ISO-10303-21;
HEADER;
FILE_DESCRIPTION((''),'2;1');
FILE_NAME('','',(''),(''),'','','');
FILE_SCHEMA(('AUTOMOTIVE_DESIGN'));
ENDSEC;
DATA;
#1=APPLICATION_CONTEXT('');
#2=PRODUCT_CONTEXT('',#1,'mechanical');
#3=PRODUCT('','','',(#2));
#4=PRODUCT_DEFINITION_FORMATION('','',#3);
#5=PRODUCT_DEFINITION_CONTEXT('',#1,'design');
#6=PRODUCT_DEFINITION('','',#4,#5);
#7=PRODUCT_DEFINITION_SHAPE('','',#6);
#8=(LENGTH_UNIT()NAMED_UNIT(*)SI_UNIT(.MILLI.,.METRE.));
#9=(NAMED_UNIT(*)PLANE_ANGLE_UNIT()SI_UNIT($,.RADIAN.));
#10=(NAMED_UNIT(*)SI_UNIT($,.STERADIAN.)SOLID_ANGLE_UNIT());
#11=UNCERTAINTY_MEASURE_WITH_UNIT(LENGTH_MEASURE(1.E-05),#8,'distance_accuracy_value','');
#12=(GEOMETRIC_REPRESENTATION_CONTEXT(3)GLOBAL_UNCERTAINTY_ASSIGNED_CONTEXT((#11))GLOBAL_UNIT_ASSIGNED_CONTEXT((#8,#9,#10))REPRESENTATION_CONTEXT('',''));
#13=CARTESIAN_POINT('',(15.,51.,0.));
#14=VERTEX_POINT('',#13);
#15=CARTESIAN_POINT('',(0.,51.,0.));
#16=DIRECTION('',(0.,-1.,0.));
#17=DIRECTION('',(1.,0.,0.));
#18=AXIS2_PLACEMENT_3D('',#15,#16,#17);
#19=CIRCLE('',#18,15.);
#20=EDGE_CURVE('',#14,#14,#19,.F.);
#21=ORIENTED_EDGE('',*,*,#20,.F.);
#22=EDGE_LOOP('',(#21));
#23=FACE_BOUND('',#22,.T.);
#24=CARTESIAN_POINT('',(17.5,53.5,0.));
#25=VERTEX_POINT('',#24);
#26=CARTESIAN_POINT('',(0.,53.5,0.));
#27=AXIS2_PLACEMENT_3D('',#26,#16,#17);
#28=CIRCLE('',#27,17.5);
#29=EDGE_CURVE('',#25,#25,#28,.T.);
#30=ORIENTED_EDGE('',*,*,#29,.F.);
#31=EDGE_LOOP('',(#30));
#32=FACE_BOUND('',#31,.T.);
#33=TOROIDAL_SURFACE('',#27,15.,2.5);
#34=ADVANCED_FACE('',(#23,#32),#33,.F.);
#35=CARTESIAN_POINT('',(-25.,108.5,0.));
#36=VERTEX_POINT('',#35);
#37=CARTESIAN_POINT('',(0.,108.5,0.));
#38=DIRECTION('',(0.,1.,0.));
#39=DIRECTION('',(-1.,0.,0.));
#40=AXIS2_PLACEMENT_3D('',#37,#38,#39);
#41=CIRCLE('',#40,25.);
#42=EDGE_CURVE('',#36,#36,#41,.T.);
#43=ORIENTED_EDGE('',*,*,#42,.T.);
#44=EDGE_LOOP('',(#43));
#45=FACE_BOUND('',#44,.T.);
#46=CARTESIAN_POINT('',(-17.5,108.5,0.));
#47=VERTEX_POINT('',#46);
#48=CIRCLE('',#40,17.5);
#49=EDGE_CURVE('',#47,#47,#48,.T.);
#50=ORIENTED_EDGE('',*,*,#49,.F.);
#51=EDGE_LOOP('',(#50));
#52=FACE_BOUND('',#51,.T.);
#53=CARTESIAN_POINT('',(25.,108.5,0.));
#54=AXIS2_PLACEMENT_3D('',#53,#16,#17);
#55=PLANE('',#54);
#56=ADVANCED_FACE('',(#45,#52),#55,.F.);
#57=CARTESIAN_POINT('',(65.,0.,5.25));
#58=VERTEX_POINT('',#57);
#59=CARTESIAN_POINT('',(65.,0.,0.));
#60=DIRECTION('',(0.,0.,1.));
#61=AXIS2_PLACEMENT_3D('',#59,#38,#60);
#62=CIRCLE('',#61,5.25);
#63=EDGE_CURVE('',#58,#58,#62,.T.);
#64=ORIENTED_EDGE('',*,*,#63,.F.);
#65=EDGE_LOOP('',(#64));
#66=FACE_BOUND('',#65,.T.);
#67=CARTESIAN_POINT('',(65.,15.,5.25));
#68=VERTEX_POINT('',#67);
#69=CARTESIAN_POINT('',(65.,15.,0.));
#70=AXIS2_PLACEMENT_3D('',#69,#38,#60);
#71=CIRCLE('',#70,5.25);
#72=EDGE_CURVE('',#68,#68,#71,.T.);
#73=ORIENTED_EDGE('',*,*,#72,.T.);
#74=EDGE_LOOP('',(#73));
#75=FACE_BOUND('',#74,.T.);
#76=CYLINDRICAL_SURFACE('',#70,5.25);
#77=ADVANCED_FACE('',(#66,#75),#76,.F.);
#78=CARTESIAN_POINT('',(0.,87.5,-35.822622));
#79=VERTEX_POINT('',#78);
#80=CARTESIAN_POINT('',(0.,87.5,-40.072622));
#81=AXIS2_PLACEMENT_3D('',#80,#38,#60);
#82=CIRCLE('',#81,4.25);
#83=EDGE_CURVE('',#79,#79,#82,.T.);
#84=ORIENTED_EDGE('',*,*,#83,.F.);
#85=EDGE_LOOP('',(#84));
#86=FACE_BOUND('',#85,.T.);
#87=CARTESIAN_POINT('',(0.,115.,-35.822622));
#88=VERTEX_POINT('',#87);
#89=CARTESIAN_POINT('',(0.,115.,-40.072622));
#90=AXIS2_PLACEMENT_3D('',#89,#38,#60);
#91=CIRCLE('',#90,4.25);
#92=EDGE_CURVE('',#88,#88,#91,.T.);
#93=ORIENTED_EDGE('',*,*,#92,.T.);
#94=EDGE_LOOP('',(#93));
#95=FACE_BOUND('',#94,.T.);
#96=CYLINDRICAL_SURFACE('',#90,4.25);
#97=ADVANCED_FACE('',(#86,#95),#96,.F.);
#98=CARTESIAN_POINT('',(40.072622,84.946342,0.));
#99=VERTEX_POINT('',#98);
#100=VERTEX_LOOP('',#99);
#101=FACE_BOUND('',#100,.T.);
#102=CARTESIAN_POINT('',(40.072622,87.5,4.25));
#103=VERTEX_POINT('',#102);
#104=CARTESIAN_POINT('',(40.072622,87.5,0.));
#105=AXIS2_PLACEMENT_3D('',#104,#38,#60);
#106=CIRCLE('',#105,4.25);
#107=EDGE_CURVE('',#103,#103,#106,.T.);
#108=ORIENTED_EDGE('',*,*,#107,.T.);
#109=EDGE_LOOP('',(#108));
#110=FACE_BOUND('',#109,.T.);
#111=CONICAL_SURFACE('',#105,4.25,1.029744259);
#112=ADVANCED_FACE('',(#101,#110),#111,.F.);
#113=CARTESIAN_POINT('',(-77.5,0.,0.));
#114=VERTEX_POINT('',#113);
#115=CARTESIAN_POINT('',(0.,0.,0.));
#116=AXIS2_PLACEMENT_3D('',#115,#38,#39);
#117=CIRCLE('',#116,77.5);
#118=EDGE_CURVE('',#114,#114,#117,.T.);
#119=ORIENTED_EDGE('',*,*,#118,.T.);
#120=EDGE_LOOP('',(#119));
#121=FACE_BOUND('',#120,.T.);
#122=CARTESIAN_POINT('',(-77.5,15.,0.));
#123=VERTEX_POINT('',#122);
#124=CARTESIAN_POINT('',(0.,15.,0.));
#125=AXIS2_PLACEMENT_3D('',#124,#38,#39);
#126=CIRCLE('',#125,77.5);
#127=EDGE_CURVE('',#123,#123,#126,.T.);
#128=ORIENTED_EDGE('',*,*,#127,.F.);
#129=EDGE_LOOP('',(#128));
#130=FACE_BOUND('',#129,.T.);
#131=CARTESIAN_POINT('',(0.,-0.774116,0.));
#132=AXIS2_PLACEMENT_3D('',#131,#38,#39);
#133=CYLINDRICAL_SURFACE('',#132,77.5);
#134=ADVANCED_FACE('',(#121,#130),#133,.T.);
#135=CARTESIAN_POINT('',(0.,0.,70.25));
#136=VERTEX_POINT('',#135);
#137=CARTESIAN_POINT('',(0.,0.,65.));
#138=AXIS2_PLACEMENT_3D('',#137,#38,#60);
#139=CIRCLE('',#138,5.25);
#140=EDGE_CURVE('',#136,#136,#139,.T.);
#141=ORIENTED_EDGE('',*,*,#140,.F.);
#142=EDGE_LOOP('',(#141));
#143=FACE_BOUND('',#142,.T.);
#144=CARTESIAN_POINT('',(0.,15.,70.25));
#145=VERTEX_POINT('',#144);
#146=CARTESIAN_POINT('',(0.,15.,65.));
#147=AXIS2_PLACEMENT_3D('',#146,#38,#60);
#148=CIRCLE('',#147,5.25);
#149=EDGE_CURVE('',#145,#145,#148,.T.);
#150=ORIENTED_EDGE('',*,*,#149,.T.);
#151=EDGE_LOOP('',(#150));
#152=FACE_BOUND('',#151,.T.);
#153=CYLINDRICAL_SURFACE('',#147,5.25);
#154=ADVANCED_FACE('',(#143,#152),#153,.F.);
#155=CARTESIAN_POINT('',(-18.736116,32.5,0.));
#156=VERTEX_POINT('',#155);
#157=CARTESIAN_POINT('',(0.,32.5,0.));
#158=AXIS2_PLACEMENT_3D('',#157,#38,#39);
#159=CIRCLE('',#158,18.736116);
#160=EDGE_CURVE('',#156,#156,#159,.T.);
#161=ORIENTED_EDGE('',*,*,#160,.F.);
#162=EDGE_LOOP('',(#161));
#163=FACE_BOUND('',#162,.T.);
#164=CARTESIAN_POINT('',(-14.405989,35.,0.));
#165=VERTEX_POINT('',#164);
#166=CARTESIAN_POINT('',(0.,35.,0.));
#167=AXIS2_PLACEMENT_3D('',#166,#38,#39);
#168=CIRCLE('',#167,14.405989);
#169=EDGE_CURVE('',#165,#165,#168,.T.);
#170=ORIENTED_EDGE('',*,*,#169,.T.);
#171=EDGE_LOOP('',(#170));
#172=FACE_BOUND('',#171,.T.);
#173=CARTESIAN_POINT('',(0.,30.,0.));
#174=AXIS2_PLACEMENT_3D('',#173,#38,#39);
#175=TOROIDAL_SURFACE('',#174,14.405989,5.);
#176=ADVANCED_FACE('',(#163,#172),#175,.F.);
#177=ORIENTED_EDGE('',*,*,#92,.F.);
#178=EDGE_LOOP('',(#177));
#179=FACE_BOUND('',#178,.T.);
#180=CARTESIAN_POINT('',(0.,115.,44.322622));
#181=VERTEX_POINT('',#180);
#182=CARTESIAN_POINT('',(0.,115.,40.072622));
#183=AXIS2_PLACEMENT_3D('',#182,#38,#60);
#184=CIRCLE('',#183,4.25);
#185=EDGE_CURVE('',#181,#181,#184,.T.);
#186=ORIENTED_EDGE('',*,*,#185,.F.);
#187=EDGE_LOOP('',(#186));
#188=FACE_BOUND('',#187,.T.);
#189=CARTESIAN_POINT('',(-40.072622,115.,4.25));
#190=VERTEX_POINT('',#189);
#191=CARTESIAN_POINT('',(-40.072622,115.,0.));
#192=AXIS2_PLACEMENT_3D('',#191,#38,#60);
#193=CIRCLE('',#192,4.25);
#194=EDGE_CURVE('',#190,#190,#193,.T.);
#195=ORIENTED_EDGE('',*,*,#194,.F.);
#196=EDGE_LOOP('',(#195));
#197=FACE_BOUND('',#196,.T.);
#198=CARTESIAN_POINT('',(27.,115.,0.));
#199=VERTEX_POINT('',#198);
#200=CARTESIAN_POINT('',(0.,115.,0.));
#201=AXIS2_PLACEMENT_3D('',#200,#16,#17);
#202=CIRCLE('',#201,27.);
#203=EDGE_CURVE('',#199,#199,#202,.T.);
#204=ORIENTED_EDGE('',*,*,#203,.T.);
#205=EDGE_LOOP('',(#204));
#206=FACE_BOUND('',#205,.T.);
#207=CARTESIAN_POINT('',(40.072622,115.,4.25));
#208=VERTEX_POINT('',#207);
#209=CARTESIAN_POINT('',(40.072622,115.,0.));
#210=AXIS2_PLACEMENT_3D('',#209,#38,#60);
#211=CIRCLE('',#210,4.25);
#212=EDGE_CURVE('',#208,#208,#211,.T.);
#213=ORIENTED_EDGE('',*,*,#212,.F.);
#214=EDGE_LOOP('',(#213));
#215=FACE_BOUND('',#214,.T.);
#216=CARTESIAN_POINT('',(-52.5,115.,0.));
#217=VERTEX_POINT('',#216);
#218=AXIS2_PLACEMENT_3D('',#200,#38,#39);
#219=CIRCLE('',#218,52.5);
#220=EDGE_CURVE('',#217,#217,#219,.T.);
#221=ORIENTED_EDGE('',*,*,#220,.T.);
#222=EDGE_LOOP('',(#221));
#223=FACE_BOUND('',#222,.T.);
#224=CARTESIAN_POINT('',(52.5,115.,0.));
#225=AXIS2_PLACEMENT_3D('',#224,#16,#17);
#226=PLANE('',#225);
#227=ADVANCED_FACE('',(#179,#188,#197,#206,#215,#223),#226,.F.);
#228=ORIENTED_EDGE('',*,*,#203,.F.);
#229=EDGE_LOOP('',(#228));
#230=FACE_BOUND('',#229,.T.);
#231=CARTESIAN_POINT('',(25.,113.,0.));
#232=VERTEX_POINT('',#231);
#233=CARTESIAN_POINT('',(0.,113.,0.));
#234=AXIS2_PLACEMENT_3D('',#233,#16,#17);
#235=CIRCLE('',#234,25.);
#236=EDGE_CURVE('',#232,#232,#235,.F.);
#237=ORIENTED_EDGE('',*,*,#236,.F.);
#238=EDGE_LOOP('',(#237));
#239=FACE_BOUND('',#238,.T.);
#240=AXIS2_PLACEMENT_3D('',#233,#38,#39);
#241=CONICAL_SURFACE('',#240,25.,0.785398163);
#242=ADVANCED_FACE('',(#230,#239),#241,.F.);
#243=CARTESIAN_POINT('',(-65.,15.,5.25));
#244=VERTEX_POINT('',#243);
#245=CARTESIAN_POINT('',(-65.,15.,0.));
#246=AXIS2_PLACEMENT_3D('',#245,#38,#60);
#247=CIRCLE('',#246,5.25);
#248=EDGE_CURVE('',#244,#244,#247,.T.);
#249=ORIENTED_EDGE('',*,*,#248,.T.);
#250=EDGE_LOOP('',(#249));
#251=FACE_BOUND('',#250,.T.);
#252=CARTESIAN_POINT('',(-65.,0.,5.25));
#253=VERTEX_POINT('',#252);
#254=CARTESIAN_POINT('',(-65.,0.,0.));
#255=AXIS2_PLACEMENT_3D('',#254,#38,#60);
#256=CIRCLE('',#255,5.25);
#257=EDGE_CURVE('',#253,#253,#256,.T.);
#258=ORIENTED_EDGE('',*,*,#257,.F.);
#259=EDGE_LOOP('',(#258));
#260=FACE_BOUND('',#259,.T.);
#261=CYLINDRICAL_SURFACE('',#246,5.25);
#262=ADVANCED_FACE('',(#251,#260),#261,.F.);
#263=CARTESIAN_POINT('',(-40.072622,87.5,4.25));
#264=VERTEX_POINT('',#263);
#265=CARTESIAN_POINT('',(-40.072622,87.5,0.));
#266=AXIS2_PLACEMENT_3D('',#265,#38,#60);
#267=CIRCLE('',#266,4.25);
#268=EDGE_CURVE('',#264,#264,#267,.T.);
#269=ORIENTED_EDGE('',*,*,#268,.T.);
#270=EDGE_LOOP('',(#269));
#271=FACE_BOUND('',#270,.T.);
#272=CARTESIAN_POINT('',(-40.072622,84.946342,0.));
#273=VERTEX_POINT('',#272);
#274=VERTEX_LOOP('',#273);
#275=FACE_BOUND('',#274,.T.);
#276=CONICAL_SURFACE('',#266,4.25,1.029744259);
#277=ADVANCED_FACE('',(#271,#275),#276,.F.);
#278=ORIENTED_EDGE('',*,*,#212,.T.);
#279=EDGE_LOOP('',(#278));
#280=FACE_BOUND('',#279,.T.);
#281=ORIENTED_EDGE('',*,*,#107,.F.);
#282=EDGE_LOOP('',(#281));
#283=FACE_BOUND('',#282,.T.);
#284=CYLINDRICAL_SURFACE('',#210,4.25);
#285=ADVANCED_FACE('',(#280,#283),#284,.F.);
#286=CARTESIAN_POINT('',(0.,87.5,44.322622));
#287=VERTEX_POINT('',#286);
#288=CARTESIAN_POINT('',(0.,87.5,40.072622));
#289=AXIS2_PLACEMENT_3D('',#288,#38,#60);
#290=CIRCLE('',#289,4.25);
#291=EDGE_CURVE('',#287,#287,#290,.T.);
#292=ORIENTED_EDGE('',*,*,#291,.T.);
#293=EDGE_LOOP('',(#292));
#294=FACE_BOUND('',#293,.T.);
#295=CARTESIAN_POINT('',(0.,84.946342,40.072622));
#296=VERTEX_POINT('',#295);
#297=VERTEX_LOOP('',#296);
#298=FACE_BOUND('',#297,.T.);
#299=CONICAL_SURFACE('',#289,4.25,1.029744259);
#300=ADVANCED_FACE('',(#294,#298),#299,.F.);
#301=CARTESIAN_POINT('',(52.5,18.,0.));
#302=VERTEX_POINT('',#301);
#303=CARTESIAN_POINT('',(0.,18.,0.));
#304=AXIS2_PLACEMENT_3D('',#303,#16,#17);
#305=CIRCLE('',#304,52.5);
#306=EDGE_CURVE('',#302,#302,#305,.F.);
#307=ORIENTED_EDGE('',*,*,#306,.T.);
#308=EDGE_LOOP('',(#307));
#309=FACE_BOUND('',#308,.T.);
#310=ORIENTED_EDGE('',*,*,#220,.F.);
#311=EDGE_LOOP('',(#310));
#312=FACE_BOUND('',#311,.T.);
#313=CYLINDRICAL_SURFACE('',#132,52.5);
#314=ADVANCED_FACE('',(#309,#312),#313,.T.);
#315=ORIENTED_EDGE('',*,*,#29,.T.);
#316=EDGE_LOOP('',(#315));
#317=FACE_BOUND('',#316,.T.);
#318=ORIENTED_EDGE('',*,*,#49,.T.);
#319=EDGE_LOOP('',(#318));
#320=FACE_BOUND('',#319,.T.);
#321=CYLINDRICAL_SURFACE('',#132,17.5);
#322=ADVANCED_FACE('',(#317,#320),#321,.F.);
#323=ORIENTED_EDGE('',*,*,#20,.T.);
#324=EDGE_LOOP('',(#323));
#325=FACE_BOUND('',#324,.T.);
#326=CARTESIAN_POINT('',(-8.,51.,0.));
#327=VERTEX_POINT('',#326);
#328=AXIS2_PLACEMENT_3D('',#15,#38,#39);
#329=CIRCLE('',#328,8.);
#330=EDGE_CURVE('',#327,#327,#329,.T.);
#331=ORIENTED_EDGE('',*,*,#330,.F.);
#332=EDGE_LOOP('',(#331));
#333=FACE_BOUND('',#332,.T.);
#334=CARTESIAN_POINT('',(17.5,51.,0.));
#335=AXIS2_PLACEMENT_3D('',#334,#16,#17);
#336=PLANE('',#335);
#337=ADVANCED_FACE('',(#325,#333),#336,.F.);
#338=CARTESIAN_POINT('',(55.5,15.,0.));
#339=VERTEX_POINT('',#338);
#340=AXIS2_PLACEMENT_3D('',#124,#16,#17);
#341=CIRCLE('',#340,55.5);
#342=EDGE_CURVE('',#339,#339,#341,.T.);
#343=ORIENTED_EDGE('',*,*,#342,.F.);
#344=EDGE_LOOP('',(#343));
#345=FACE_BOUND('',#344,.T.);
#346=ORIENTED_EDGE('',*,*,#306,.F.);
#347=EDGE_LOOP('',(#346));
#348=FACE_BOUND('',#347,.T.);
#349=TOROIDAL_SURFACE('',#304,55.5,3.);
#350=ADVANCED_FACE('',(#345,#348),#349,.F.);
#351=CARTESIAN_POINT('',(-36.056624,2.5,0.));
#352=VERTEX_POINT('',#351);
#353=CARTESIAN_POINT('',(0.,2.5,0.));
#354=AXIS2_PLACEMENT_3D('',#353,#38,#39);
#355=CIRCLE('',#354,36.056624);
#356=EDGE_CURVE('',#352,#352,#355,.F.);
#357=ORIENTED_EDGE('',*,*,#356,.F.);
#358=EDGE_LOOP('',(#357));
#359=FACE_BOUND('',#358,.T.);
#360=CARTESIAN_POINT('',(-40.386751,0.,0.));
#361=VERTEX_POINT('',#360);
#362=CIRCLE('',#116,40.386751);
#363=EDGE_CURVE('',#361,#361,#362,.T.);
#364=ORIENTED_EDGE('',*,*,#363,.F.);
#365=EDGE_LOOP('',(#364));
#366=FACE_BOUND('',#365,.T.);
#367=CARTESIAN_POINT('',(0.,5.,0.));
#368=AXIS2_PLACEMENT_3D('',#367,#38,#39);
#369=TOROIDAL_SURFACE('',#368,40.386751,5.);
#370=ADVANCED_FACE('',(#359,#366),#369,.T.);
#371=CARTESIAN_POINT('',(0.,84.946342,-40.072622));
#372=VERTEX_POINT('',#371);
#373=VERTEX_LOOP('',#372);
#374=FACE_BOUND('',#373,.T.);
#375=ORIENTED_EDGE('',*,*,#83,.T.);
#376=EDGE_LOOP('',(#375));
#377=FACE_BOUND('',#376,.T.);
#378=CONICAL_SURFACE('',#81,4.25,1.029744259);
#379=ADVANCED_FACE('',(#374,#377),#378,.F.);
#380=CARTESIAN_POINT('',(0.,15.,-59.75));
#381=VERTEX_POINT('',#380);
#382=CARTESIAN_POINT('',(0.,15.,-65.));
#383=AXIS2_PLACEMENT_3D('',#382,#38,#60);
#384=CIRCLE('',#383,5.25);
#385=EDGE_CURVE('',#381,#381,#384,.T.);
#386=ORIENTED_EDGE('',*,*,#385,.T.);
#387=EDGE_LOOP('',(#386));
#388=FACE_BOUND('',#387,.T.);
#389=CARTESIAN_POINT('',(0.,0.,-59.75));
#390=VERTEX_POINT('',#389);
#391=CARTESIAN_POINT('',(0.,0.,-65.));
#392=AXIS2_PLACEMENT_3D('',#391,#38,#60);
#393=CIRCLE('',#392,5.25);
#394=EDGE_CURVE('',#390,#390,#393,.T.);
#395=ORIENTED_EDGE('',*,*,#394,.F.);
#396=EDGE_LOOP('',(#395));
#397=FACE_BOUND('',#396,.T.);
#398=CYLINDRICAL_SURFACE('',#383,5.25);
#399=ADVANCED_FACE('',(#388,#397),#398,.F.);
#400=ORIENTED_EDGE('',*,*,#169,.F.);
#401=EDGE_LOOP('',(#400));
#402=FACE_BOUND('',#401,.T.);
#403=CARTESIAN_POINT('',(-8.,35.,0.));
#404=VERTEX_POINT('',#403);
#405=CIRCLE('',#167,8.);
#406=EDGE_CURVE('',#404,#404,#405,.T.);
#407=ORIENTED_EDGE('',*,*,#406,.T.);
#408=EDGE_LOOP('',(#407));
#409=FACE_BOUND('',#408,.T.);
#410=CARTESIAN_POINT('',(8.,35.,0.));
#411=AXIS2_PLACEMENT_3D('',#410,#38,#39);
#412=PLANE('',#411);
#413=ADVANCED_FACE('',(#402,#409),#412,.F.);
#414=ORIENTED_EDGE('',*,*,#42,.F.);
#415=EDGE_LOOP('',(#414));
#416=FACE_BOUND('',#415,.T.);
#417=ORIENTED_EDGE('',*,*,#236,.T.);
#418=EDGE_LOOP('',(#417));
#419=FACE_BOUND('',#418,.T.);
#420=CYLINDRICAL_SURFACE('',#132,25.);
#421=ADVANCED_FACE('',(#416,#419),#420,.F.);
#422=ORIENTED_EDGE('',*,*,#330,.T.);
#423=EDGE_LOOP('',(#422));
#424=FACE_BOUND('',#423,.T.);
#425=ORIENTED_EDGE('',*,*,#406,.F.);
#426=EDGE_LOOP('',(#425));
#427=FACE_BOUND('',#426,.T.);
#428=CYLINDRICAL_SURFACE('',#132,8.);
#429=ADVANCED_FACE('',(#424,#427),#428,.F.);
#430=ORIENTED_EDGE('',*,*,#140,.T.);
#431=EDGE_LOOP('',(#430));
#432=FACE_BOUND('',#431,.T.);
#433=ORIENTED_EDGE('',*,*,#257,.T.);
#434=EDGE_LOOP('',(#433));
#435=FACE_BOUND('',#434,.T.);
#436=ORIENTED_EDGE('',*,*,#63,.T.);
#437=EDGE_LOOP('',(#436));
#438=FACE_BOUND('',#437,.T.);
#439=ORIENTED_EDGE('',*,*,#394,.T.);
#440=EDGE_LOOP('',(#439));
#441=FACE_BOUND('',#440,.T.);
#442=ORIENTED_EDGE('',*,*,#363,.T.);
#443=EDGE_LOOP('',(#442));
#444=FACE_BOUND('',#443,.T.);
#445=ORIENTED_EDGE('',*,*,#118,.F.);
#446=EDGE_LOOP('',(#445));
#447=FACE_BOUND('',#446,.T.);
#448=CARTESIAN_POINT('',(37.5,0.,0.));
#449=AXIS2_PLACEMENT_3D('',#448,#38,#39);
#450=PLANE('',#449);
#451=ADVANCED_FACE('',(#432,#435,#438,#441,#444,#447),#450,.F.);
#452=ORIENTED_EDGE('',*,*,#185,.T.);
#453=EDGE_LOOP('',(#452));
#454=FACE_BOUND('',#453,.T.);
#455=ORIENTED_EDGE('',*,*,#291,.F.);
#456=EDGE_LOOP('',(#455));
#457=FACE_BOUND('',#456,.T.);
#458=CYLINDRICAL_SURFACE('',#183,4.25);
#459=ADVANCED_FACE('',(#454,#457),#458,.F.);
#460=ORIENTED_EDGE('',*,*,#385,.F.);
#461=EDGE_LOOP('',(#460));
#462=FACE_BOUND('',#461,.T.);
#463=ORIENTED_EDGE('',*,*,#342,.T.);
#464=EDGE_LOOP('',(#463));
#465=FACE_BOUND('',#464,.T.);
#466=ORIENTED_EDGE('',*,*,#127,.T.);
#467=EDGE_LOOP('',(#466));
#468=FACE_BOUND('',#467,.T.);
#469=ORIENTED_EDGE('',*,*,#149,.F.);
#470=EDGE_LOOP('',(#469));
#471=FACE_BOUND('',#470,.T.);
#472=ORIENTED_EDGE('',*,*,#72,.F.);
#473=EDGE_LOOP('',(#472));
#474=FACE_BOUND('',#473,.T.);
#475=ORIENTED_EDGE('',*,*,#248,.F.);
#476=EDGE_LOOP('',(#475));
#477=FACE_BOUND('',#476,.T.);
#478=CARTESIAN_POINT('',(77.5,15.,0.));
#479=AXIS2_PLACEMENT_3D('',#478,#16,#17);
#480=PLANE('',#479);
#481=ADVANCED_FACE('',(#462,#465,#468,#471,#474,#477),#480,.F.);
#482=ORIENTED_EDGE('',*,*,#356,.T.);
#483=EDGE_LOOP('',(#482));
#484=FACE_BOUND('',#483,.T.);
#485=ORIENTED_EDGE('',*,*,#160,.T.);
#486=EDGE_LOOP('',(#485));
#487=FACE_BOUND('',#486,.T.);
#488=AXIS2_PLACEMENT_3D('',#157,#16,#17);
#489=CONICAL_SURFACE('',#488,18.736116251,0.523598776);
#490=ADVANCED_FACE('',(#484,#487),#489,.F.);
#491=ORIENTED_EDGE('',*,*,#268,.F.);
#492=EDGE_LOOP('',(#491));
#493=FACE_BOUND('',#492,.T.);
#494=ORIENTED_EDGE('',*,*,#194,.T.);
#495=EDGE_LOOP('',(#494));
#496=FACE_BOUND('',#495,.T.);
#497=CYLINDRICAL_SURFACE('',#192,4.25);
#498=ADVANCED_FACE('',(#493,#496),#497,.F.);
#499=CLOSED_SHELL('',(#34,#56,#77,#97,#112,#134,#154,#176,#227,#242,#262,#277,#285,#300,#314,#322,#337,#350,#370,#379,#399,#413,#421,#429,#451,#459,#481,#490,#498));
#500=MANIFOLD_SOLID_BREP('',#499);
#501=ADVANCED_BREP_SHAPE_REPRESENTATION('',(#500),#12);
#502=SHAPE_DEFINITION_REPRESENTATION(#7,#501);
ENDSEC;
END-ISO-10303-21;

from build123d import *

# Parameters (mm, degrees)
FILLET1_R                    = 3
FILLET2_R                    = 5
FILLET3_R                    = 2.5
CHAMFER1_SIZE                = 2
M10_CLEARANCE_HOLE2_D        = 10.5
R_P_TITION_CIRCULAIRE1_COUNT = 4


with BuildPart() as part:
    # Sketch2 → Revolve1 (revolve)
    with BuildSketch(Plane.XY, mode=Mode.PRIVATE) as revolve1_sk:
        with BuildLine():
            Line((25, 115), (25, 108.5))
            Line((25, 108.5), (17.5, 108.5))
            Line((17.5, 108.5), (17.5, 51))
            Line((17.5, 51), (8, 51))
            Line((8, 51), (8, 35))
            Line((8, 35), (14.405989232, 35))
            ThreePointArc((14.405989232, 35), (16.905989232, 34.330127019), (18.736116251, 32.5))
            Line((18.736116251, 32.5), (37.5, 0))
            Line((37.5, 0), (77.5, 0))
            Line((77.5, 0), (77.5, 15))
            Line((77.5, 15), (52.5, 15))
            Line((52.5, 15), (52.5, 115))
            Line((52.5, 115), (25, 115))
        make_face()
    revolve(revolve1_sk.sketch.rotate(Axis((0, -0.774116112, 0), (0, -1, 0)), 180), axis=Axis((0, -0.774116112, 0), (0, -1, 0)))

    # Fillet1
    fillet1_edges = [part.edges().sort_by_distance(p)[0] for p in [
        (52.5, 15, 0),
    ]]
    fillet(fillet1_edges, radius=FILLET1_R)

    # Fillet2
    fillet2_edges = [part.edges().sort_by_distance(p)[0] for p in [
        (37.5, 0, 0),
    ]]
    fillet(fillet2_edges, radius=FILLET2_R)

    # Fillet3
    fillet3_edges = [part.edges().sort_by_distance(p)[0] for p in [
        (17.5, 51, 0),
    ]]
    fillet(fillet3_edges, radius=FILLET3_R)

    # Chamfer1
    chamfer1_edges = [part.edges().sort_by_distance(p)[0] for p in [
        (25, 115, 0),
    ]]
    chamfer(chamfer1_edges, length=CHAMFER1_SIZE)

    # M10 Clearance Hole2 (through all)
    with Locations(Plane(origin=(0, 15, 0), x_dir=(1, 0, 0), z_dir=(0, 1, 0))):
        with Locations((0, 65), (65, 0), (0, -65), (-65, 0)):
            Hole(M10_CLEARANCE_HOLE2_D / 2)

    # Esquisse5 → Trou taraudé M101 (revolve, cut)
    with BuildSketch(Plane(origin=(-40.072621641, 115, 0), x_dir=(0, 0, 1), z_dir=(1, 0, 0))):
        Polygon((0, 0), (0, 30.053657631), (4.25, 27.5), (4.25, 0), align=None)
    trou_taraud_m101 = revolve(axis=Axis((-40.072621641, 121.35, 0), (0, -1, 0)), mode=Mode.SUBTRACT)

    # Répétition circulaire1: Trou taraudé M101 ×4 about axis
    r_p_tition_circulaire1_axis = Axis((0, 0, 0), (0, 1, 0))
    for i in range(1, R_P_TITION_CIRCULAIRE1_COUNT):
        add(trou_taraud_m101.rotate(r_p_tition_circulaire1_axis, i * 360 / R_P_TITION_CIRCULAIRE1_COUNT), mode=Mode.SUBTRACT)


solid = part.part
